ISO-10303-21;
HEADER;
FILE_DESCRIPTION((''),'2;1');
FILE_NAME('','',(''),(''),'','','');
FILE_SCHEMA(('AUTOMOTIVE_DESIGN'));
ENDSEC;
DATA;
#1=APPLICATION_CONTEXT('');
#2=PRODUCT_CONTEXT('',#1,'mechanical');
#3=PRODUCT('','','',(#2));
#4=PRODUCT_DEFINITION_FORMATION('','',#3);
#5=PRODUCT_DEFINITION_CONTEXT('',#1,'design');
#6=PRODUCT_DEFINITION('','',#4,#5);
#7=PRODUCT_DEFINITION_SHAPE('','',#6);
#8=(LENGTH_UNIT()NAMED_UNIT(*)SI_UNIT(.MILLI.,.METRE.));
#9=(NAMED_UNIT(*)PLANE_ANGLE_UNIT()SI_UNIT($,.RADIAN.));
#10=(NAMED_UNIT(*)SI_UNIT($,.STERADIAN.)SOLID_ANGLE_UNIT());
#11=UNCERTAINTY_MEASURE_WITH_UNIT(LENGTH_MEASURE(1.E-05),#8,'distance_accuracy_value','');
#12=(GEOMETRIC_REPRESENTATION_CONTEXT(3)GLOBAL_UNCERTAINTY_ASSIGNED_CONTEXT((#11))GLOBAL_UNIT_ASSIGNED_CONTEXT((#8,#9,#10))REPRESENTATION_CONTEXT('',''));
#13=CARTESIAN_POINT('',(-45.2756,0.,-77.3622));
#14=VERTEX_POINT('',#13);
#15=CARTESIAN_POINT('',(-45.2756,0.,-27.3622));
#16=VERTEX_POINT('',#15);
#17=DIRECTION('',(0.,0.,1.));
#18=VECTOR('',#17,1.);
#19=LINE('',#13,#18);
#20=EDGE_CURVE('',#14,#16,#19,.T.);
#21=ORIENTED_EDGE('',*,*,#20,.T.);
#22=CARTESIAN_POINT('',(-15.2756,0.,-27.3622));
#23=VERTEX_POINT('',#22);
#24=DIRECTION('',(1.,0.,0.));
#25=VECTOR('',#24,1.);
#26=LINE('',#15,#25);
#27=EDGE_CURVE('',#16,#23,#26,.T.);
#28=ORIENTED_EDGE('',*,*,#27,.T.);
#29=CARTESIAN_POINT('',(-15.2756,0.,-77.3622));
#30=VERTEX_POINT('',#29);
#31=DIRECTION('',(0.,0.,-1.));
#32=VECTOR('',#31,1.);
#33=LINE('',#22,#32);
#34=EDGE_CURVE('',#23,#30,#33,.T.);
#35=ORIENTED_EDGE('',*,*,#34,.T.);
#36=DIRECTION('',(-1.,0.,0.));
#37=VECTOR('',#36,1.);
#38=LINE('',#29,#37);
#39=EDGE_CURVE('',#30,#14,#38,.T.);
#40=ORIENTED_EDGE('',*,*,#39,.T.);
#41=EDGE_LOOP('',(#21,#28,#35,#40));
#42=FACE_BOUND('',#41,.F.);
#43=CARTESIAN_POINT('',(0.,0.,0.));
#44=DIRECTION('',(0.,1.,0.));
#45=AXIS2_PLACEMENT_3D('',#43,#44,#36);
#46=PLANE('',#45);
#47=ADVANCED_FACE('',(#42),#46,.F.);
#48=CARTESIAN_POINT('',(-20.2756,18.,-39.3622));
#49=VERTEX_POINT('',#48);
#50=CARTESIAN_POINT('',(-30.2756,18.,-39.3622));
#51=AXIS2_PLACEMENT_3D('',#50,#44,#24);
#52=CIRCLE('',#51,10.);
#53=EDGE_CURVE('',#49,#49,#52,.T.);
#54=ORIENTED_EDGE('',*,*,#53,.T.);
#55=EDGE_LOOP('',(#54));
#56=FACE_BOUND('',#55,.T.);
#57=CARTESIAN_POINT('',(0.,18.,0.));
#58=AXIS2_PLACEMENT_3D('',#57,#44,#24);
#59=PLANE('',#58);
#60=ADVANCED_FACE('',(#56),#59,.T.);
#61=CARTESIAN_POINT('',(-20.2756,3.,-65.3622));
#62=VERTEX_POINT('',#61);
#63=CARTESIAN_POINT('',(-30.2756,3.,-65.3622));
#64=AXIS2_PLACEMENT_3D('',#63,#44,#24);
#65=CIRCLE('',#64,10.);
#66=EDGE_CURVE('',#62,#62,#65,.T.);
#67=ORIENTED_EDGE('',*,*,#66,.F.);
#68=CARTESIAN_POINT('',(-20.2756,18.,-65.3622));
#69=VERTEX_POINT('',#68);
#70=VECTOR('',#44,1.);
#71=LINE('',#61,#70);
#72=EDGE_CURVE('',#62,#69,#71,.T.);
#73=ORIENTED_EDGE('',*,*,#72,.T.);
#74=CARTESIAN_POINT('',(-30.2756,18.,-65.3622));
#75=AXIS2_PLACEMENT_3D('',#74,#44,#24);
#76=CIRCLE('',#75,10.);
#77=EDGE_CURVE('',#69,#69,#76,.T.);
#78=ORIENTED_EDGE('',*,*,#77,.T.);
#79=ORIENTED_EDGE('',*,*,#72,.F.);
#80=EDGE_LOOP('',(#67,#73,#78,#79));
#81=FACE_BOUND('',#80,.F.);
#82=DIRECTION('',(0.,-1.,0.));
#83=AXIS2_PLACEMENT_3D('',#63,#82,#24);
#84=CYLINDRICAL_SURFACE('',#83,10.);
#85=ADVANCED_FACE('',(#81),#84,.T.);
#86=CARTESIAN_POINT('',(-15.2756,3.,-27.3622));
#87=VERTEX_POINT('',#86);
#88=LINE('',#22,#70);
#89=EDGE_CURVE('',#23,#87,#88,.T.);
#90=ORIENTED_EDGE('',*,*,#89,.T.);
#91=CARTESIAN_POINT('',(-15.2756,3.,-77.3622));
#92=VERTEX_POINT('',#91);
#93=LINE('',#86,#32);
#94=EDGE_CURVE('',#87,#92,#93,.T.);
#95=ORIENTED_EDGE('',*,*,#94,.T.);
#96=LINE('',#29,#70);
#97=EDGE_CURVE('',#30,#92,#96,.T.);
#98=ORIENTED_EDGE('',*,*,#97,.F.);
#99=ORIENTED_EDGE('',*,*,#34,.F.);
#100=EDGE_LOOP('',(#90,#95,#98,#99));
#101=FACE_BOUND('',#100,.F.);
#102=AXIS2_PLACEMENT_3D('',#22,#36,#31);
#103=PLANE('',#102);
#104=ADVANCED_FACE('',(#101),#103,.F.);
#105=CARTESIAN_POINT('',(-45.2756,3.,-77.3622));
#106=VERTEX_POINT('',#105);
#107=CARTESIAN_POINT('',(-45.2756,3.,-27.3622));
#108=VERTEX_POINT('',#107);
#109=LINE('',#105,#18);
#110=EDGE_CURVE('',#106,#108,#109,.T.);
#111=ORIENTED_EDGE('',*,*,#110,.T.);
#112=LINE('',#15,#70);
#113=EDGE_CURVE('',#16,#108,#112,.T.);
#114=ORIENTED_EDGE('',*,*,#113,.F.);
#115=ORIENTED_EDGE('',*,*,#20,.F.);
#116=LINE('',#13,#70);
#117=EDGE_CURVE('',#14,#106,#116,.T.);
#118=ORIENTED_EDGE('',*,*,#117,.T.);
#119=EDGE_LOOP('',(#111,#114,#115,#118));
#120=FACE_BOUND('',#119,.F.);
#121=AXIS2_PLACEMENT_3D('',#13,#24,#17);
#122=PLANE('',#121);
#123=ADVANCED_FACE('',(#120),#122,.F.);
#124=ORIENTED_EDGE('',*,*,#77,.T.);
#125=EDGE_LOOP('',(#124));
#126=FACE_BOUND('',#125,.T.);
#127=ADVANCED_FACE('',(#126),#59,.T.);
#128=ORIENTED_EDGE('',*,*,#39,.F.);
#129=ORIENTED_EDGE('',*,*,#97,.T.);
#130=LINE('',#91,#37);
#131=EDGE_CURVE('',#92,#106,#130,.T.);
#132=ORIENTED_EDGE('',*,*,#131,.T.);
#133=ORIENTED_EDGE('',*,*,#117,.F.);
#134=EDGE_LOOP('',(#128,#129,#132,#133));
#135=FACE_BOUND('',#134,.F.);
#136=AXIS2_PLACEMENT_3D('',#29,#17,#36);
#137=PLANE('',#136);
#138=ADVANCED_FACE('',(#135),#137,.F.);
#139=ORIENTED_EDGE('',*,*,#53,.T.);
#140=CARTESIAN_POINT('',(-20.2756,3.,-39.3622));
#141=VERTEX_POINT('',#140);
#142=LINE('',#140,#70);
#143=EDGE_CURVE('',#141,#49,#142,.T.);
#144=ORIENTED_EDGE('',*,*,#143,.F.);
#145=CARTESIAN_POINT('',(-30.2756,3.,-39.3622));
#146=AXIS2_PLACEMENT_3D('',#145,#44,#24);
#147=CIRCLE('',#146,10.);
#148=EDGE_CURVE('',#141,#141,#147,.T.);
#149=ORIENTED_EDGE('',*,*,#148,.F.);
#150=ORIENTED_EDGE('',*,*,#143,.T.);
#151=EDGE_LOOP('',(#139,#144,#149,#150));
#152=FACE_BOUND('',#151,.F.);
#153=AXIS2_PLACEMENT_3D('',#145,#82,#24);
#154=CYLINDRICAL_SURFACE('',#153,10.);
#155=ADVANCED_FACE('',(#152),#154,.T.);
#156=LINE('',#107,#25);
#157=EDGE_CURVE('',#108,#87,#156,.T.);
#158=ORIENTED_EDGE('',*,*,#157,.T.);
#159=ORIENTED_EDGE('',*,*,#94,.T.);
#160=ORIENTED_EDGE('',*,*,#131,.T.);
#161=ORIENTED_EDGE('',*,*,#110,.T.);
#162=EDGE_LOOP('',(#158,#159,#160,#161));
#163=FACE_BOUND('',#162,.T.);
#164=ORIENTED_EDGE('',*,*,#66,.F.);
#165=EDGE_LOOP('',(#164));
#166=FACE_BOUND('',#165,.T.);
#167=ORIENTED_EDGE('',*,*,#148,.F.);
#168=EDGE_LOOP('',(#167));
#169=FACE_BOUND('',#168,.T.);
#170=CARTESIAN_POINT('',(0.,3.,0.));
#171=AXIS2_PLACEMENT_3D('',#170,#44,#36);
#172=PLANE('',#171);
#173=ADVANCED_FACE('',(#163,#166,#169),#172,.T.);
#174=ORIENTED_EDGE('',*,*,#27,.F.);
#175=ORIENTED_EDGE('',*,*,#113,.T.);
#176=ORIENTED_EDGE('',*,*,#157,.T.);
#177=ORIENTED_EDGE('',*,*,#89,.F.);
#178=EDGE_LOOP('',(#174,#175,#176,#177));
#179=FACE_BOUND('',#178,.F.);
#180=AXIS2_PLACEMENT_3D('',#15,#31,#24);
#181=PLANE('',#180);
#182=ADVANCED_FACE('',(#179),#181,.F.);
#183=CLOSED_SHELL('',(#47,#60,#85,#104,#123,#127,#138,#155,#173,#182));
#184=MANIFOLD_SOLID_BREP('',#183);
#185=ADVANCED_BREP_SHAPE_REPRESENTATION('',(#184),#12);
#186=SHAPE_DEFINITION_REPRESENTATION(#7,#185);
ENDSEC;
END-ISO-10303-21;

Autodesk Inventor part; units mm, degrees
ref_plane "YZ Plane" through (0, 0, 0) normal (1, 0, 0) x (0, 1, 0)
ref_plane "XZ Plane" through (0, 0, 0) normal (0, 1, 0) x (-1, 0, 0)
ref_plane "XY Plane" through (0, 0, 0) normal (0, 0, 1) x (1, 0, 0)
sketch "Skizze1" plane through (0, 0, 0) normal (0, 1, 0) x (-1, 0, 0)
  line L0 (45.2756, -27.3622) -> (15.2756, -27.3622)
  line L1 (15.2756, -27.3622) -> (15.2756, -77.3622)
  line L2 (15.2756, -77.3622) -> (45.2756, -77.3622)
  line L3 (45.2756, -77.3622) -> (45.2756, -27.3622)
  point P0 (0, 0)
  dimension "d0" = 50
  dimension "d1" = 30
extrude "Extrusion1" add sketch "Skizze1" along normal blind 3
sketch "Skizze2" plane through (0, 3, 0) normal (0, 1, 0) x (1, 0, 0)
  circle A0 centre (-30.2756, 39.3622) radius 10
  circle A1 centre (-30.2756, 65.3622) radius 10
  line L0 (-45.2756, 77.3622) -> (-45.2756, 27.3622) projected
  line L1 (-45.2756, 27.3622) -> (-15.2756, 27.3622) projected
  line L2 (-15.2756, 77.3622) -> (-45.2756, 77.3622) projected
  point P0 (0, 0)
  dimension "d4" = 20
  dimension "d5" = 20
  dimension "d6" = 15
  dimension "d7" = 15
  dimension "d10" = 12
  dimension "d11" = 12
extrude "Extrusion2" add sketch "Skizze2" along normal blind 15
properties part number "Ultraschallsensor"
